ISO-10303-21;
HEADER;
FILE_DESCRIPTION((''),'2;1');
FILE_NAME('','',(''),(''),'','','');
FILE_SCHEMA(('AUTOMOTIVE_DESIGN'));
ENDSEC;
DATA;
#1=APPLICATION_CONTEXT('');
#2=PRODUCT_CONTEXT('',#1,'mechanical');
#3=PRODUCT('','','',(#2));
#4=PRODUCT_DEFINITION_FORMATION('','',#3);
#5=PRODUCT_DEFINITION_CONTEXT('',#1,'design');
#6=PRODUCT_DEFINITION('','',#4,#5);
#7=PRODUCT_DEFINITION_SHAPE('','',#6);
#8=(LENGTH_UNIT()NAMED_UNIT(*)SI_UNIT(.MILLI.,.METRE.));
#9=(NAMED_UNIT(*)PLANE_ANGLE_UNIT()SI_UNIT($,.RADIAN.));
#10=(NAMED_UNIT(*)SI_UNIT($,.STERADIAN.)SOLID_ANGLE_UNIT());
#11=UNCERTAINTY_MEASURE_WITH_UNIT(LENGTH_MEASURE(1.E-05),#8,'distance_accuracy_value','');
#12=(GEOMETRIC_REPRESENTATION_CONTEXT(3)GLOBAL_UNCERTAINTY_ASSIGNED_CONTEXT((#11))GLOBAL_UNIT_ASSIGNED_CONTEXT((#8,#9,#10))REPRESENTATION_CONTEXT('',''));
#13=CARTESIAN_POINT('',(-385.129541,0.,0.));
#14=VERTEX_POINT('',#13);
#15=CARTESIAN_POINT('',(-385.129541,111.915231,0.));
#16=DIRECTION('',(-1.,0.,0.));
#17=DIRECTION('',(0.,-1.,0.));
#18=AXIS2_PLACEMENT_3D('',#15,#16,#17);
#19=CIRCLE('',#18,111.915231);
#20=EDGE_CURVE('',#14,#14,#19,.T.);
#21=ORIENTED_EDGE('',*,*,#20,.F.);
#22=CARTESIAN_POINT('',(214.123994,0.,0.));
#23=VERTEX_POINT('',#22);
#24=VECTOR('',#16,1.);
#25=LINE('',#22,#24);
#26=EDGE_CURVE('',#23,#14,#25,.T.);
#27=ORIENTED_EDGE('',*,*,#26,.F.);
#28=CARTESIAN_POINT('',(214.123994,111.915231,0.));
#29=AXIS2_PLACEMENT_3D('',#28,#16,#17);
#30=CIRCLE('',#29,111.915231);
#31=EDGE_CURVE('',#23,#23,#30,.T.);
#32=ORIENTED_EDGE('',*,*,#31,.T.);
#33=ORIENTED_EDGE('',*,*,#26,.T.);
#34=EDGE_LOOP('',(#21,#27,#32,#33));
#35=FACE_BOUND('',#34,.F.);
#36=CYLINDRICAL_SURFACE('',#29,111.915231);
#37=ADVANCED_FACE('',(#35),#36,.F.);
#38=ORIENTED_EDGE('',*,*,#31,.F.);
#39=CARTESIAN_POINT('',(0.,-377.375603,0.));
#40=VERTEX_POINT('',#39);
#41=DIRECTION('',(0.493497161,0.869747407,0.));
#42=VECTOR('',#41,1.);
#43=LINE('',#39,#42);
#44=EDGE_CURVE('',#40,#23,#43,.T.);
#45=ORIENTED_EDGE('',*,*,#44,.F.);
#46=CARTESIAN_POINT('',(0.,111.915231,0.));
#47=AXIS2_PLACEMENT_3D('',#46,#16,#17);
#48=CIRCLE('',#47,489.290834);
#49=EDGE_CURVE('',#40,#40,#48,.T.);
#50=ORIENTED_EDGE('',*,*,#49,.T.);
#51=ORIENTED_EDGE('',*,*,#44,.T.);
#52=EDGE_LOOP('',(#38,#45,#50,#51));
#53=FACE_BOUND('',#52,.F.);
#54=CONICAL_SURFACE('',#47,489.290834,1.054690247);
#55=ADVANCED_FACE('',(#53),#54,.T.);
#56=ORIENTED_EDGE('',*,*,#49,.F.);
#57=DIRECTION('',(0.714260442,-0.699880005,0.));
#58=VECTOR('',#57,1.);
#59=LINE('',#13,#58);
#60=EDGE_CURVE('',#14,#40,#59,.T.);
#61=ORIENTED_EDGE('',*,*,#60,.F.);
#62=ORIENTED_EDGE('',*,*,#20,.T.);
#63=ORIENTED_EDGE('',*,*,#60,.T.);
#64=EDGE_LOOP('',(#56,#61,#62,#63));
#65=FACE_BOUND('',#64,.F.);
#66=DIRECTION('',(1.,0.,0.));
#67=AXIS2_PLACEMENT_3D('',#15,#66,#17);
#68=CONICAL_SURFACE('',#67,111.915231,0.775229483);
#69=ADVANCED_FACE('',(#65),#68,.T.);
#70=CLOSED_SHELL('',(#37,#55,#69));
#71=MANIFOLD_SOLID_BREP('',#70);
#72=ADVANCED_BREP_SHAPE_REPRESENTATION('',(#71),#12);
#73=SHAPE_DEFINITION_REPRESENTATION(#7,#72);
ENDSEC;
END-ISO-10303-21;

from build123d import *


with BuildPart() as f2:
    # F0 (on Top) → F2 (revolve)
    with BuildSketch(Plane.XY):
        Polygon((-385.129541, 0), (0, -377.375603), (214.123994, 0), align=None)
    revolve(axis=Axis((-105.572194, 111.915231, 0), (-1, 0, 0)))


solid = f2.part
